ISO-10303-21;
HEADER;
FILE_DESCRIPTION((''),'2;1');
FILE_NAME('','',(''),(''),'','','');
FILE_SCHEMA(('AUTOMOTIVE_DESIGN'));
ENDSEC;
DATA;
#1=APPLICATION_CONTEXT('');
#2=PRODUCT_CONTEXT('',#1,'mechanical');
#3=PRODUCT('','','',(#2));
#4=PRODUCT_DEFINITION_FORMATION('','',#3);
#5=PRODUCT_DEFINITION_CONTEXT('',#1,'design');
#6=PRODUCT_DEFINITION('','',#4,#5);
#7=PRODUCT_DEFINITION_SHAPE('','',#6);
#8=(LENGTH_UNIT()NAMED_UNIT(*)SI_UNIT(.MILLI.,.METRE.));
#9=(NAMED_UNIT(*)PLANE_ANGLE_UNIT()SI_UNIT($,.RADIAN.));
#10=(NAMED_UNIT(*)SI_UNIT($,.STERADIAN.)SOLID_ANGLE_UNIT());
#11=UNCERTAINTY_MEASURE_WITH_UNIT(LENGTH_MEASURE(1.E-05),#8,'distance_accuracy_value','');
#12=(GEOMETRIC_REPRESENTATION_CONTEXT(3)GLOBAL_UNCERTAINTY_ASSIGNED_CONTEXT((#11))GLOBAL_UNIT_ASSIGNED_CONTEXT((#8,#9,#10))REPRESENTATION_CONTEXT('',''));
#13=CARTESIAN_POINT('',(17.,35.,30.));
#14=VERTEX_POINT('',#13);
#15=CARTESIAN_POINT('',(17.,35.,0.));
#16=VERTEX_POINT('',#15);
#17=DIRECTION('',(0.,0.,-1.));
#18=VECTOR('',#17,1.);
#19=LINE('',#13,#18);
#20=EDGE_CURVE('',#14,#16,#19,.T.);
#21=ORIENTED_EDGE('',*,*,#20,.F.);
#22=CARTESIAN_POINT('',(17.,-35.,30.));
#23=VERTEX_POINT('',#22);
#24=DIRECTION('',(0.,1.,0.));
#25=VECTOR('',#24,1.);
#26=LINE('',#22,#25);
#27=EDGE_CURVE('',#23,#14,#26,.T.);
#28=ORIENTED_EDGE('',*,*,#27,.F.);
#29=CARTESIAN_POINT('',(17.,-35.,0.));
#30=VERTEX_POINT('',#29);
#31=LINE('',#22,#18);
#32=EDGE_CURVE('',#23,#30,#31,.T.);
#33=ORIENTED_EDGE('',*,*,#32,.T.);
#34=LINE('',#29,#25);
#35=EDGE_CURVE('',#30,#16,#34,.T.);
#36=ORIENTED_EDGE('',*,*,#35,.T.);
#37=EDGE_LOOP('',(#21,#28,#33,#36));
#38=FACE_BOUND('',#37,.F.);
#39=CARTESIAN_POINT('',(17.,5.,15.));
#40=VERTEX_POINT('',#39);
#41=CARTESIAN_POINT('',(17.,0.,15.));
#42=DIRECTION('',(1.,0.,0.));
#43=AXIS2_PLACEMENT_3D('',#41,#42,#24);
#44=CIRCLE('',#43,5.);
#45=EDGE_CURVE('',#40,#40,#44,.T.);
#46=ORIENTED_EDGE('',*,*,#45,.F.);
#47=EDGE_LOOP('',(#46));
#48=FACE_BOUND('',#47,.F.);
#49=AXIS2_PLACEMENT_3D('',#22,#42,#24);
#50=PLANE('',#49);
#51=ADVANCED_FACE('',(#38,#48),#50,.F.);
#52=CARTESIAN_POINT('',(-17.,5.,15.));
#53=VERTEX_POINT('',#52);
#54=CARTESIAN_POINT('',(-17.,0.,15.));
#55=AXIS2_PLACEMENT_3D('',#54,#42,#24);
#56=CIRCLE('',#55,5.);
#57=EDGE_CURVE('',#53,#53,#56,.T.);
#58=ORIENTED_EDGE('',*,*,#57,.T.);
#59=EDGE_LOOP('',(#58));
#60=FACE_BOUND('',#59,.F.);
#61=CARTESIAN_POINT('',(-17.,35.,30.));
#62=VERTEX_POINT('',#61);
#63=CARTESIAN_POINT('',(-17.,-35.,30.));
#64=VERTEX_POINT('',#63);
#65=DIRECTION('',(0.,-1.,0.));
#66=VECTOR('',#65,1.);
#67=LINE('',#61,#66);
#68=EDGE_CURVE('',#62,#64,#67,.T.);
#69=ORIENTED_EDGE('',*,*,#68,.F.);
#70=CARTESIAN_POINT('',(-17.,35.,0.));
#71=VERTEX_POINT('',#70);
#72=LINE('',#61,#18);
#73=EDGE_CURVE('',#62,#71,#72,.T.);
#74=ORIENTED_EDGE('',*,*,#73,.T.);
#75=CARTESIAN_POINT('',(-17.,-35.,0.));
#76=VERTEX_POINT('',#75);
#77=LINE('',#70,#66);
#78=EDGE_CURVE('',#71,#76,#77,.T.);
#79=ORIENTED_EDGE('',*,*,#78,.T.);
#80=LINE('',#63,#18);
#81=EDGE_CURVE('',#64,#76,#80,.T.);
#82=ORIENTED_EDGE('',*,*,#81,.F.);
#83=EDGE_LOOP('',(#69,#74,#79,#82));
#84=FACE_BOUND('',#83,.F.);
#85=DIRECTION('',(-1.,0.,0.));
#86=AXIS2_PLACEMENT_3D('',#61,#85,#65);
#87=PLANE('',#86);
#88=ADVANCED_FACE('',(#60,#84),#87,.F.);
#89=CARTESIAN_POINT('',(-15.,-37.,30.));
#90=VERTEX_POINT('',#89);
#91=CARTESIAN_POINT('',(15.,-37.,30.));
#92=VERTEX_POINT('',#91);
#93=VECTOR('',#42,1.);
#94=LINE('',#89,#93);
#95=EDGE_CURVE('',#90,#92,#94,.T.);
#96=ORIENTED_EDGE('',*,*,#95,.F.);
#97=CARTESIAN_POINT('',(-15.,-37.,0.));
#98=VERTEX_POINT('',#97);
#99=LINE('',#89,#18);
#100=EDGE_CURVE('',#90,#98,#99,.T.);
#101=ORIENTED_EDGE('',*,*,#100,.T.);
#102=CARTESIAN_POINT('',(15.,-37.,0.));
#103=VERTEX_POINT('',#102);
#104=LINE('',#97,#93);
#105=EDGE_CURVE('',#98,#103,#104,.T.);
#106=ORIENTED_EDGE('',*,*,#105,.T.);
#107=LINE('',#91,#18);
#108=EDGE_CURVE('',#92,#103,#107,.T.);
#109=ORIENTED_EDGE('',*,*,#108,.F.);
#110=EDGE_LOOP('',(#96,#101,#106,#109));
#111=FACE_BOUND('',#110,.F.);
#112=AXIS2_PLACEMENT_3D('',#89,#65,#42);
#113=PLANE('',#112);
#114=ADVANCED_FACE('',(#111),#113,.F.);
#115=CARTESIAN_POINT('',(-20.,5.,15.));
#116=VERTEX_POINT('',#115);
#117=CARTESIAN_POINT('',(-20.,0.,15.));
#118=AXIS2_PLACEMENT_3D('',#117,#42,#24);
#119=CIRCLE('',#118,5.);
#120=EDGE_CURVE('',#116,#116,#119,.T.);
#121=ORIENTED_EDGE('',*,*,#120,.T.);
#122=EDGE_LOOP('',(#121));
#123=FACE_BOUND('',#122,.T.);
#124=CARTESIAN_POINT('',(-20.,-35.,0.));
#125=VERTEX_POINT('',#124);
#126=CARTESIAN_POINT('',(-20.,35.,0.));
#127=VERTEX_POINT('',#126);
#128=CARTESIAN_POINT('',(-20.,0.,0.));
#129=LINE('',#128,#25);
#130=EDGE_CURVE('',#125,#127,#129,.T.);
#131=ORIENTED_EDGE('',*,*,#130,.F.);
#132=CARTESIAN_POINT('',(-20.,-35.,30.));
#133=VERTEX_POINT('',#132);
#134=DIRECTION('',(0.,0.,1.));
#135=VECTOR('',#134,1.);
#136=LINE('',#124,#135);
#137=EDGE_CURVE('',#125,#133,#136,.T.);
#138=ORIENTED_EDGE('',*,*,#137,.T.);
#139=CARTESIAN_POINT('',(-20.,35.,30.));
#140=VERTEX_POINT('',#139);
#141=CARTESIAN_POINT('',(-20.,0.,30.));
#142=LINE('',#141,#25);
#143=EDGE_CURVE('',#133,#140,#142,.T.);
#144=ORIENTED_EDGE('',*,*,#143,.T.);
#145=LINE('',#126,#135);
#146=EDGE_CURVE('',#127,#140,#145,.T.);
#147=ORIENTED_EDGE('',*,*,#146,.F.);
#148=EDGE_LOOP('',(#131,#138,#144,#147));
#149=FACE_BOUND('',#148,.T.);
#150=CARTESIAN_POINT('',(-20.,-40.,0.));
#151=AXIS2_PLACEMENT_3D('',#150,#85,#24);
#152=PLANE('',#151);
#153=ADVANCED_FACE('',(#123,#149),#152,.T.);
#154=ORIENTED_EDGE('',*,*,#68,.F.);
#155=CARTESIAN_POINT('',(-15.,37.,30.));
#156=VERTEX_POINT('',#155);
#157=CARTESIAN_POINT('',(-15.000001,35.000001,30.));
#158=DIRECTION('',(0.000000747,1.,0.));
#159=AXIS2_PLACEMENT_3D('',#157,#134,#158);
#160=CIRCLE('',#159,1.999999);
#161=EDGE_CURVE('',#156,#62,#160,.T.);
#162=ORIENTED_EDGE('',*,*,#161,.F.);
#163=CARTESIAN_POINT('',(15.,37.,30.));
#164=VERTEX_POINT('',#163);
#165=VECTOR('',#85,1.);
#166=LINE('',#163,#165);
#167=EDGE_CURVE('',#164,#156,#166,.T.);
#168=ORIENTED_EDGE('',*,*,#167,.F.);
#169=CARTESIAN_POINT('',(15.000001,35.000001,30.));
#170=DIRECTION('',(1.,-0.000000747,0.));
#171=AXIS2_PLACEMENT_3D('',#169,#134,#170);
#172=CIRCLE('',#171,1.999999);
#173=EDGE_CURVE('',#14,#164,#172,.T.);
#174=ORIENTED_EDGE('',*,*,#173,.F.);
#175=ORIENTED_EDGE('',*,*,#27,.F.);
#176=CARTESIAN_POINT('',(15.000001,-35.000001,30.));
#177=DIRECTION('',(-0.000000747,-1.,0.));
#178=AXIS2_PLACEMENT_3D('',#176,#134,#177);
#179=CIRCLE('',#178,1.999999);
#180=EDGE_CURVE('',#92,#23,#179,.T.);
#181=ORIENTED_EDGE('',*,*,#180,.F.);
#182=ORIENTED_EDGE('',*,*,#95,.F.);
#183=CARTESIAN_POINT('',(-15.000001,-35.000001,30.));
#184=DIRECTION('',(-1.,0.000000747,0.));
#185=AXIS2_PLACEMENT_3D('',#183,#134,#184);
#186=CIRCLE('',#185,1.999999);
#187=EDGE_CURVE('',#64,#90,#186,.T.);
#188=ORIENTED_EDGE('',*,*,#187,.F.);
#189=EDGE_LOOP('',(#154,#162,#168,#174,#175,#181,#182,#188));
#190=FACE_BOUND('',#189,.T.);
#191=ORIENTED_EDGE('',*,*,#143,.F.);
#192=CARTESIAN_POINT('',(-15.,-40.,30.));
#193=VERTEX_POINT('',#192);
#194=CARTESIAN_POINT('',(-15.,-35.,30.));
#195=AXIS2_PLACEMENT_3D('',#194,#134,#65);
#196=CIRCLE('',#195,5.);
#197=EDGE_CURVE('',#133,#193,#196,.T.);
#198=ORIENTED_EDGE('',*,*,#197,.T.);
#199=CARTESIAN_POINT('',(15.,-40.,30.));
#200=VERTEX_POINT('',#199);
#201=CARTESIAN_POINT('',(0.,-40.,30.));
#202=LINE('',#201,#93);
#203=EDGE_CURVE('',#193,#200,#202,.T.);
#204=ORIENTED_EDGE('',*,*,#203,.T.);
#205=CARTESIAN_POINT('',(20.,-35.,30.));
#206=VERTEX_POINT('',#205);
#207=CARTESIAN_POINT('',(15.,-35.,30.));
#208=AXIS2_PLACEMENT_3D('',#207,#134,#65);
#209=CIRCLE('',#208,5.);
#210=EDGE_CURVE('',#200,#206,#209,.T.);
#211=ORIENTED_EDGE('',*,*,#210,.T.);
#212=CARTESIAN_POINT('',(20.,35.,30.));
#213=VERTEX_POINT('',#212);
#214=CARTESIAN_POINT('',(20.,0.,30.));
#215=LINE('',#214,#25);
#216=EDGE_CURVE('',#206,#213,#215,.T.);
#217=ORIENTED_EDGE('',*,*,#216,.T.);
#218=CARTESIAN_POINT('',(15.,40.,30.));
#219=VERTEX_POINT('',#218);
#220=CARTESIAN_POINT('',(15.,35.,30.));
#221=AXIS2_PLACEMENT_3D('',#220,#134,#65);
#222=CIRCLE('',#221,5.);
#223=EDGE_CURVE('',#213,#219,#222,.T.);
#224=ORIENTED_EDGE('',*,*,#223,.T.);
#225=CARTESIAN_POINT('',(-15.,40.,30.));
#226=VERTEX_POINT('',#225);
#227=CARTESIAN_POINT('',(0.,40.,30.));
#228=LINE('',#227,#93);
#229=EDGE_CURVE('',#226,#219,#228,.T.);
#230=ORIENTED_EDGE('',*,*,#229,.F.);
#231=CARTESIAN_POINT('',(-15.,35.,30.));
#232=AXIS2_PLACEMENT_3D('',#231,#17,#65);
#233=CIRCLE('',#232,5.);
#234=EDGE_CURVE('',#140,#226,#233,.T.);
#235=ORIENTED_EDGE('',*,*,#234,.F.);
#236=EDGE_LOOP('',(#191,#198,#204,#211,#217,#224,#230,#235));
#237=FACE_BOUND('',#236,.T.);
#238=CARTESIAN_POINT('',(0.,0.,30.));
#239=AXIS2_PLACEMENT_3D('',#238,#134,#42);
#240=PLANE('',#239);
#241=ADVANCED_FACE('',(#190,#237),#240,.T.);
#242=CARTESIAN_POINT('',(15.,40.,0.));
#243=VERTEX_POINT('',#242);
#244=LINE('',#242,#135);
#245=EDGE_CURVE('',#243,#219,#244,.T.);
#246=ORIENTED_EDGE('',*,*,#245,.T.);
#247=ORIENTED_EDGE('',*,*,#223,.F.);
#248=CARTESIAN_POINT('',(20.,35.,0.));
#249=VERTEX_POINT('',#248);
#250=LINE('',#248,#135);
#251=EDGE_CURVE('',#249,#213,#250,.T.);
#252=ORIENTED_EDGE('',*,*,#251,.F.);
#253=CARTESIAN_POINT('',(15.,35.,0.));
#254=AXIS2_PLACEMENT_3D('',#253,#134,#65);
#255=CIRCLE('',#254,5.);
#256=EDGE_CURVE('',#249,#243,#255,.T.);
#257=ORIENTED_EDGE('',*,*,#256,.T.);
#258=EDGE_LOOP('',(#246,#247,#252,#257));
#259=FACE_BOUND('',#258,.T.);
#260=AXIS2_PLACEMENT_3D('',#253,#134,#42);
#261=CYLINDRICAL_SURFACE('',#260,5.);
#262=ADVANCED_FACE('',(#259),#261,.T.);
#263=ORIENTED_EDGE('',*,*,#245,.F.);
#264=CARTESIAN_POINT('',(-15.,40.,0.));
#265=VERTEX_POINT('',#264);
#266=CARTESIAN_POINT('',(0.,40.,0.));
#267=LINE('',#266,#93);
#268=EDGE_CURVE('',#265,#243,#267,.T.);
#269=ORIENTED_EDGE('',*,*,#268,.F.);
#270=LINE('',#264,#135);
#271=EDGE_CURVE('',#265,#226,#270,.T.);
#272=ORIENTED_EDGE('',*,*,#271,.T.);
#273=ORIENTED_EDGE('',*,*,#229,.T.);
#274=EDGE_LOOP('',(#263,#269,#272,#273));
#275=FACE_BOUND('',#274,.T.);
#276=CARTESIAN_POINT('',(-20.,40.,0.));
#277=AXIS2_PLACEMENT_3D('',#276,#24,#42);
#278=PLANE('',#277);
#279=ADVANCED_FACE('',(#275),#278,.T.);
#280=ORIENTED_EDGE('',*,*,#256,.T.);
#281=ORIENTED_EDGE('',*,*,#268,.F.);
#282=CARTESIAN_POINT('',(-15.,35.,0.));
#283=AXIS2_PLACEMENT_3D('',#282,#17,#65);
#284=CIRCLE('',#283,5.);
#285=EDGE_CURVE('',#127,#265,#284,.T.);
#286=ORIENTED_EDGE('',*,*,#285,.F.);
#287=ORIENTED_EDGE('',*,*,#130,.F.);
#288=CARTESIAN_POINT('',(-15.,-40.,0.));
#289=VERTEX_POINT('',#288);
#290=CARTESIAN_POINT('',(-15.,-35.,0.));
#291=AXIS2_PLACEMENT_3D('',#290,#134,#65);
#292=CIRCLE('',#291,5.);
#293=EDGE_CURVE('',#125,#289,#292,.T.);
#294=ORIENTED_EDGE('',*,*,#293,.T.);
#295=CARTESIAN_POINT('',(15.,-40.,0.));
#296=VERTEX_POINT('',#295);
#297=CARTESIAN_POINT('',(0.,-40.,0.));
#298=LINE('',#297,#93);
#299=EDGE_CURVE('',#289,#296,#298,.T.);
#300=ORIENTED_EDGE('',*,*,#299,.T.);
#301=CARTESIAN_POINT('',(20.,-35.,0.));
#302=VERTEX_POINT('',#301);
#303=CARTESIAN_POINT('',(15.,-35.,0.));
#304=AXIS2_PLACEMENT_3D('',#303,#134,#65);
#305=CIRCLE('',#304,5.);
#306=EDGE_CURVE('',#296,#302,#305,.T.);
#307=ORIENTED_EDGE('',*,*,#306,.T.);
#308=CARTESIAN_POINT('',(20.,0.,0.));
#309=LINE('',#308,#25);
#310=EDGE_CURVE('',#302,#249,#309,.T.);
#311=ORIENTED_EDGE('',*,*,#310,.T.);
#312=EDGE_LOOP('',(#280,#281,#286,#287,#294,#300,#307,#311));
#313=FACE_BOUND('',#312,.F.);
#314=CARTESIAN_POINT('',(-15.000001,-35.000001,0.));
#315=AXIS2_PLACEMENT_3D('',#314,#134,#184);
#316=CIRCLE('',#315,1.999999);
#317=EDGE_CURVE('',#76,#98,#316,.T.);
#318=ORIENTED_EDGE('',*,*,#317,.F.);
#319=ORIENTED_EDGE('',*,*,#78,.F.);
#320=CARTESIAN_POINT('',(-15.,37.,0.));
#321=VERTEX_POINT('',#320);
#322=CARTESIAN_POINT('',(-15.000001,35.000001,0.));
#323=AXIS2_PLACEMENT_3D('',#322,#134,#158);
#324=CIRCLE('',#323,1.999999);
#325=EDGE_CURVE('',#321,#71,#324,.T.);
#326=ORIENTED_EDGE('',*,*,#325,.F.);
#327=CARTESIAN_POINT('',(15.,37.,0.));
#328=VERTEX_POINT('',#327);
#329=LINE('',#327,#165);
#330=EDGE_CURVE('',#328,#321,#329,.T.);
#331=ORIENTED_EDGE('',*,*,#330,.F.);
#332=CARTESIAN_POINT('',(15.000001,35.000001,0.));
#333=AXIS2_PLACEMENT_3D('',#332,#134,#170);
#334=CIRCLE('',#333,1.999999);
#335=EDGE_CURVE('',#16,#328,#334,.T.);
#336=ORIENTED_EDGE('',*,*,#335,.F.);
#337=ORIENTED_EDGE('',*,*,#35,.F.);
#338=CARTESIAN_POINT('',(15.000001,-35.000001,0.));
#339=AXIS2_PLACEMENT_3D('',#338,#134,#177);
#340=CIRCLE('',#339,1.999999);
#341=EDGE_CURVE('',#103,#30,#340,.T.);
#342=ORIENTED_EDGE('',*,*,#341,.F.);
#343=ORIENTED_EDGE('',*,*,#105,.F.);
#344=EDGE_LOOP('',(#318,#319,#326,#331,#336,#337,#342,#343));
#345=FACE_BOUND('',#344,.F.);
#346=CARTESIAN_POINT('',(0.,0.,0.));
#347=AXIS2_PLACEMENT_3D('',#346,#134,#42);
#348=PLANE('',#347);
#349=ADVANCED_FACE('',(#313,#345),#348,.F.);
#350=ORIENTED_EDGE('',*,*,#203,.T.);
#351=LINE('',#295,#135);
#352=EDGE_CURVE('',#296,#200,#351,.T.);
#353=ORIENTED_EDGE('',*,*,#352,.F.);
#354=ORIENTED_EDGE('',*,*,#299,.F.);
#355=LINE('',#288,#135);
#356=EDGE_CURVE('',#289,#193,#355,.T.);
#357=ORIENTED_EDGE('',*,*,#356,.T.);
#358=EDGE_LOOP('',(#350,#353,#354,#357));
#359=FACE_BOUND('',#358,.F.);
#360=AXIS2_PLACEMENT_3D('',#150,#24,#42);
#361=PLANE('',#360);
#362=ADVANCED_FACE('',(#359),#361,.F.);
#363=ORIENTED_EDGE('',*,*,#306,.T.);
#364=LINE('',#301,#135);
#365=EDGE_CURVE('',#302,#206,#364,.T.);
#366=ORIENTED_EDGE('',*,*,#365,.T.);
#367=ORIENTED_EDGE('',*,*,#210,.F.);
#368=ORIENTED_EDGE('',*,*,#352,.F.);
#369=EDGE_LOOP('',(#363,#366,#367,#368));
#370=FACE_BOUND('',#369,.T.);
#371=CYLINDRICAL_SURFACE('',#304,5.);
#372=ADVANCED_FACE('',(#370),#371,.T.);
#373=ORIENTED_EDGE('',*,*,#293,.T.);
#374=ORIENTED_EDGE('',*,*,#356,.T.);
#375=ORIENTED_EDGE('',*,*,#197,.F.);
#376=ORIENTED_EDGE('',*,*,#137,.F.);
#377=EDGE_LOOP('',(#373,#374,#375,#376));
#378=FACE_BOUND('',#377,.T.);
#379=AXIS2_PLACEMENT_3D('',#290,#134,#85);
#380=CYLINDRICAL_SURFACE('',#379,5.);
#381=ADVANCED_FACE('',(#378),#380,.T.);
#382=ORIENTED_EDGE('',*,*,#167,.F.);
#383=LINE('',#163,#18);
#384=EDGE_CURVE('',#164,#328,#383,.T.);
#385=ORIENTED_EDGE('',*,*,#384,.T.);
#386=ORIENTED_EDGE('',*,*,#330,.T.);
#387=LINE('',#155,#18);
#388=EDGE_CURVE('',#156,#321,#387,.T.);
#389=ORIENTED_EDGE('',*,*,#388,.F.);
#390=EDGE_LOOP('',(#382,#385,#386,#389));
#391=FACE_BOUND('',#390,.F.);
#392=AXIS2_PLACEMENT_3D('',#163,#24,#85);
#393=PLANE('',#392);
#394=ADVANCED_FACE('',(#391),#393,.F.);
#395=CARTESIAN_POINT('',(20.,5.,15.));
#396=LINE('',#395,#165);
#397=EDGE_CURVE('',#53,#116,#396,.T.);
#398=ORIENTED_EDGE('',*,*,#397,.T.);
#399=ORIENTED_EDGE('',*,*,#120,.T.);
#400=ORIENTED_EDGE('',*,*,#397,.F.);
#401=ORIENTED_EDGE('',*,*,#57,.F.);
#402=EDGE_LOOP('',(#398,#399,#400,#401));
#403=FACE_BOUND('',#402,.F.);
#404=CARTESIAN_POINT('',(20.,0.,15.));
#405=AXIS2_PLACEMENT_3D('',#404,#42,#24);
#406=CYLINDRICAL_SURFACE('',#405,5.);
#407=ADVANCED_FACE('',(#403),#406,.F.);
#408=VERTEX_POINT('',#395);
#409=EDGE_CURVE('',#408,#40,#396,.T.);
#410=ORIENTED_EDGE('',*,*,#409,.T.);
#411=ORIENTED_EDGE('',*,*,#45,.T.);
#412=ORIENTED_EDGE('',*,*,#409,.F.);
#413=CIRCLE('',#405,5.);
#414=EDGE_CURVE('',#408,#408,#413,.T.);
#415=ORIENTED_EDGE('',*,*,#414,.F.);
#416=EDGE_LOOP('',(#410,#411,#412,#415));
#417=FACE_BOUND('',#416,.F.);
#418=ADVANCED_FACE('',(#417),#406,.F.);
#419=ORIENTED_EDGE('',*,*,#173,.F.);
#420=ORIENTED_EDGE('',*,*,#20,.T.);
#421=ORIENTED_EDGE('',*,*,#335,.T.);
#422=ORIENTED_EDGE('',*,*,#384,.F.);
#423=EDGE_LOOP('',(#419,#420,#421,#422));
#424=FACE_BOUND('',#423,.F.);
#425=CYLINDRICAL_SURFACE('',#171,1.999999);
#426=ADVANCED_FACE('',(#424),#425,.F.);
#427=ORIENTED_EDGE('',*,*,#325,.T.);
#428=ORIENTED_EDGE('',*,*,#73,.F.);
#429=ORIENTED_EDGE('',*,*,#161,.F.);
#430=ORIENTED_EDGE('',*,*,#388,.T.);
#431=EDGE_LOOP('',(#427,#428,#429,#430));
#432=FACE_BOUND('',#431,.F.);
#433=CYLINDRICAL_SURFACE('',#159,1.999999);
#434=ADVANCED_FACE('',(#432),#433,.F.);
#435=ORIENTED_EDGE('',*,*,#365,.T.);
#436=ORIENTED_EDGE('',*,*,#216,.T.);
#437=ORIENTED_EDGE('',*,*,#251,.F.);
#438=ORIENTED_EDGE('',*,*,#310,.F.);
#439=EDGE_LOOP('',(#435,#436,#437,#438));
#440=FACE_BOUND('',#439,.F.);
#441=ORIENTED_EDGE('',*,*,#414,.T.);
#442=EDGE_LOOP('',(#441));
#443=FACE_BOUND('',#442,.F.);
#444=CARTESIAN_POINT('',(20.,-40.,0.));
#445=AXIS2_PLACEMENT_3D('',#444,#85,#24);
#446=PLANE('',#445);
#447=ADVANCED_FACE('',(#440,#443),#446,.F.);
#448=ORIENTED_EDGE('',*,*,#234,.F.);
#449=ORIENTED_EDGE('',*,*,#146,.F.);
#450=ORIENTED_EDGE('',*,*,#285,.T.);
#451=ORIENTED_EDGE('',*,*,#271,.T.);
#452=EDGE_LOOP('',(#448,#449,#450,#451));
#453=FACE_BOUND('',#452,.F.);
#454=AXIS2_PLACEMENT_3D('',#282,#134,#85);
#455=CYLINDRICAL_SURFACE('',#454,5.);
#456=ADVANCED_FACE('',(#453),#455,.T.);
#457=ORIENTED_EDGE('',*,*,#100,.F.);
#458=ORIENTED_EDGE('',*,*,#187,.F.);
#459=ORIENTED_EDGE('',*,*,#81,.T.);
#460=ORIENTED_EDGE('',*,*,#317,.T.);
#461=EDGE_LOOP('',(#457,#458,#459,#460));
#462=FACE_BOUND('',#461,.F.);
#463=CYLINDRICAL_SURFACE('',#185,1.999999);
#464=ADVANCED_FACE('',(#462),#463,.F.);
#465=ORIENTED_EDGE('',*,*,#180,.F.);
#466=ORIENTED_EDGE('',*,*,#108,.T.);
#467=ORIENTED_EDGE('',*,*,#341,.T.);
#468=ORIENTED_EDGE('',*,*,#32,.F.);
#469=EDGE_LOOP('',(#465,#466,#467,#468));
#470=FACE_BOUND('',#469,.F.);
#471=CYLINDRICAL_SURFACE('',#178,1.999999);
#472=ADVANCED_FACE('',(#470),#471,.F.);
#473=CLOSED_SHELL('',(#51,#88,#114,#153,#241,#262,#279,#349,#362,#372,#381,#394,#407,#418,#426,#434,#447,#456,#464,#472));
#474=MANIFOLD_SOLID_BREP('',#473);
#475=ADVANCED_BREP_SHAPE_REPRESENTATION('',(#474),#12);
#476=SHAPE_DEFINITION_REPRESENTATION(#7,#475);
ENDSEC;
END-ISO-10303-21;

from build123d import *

# Parameters (mm, degrees)
F0_W     = 40
F0_H     = 80
F1_DEPTH = 30
F2_R     = 5
F4_DEPTH = 30
F5_R     = 5
F6_DEPTH = 40.001


with BuildPart() as f1:
    # F0 (on Top) → F1 (new body)
    with BuildSketch(Plane.XY):
        Rectangle(F0_W, F0_H)
    extrude(amount=F1_DEPTH)

    # F2
    f2_edges = [f1.edges().sort_by_distance(p)[0] for p in [
        (20, 40, 15),
        (-20, 40, 15),
        (-20, -40, 15),
        (20, -40, 15),
    ]]
    fillet(f2_edges, radius=F2_R)

    # F3 (on face) → F4 (cut)
    with BuildSketch(Plane.XY.offset(30)):
        with BuildLine():
            ThreePointArc((17, 35), (16.414214, 36.414214), (15, 37))
            Line((15, 37), (-15, 37))
            ThreePointArc((-15, 37), (-16.414214, 36.414214), (-17, 35))
            Line((-17, 35), (-17, -35))
            ThreePointArc((-17, -35), (-16.414214, -36.414214), (-15, -37))
            Line((-15, -37), (15, -37))
            ThreePointArc((15, -37), (16.414214, -36.414214), (17, -35))
            Line((17, -35), (17, 35))
        make_face()
    extrude(amount=-F4_DEPTH, mode=Mode.SUBTRACT)

    # F5 (on face) → F6 (cut, through all)
    with BuildSketch(Plane.YZ.offset(20)):
        with Locations((0, 15)):
            Circle(F5_R)
    extrude(amount=-F6_DEPTH, mode=Mode.SUBTRACT)


solid = f1.part
